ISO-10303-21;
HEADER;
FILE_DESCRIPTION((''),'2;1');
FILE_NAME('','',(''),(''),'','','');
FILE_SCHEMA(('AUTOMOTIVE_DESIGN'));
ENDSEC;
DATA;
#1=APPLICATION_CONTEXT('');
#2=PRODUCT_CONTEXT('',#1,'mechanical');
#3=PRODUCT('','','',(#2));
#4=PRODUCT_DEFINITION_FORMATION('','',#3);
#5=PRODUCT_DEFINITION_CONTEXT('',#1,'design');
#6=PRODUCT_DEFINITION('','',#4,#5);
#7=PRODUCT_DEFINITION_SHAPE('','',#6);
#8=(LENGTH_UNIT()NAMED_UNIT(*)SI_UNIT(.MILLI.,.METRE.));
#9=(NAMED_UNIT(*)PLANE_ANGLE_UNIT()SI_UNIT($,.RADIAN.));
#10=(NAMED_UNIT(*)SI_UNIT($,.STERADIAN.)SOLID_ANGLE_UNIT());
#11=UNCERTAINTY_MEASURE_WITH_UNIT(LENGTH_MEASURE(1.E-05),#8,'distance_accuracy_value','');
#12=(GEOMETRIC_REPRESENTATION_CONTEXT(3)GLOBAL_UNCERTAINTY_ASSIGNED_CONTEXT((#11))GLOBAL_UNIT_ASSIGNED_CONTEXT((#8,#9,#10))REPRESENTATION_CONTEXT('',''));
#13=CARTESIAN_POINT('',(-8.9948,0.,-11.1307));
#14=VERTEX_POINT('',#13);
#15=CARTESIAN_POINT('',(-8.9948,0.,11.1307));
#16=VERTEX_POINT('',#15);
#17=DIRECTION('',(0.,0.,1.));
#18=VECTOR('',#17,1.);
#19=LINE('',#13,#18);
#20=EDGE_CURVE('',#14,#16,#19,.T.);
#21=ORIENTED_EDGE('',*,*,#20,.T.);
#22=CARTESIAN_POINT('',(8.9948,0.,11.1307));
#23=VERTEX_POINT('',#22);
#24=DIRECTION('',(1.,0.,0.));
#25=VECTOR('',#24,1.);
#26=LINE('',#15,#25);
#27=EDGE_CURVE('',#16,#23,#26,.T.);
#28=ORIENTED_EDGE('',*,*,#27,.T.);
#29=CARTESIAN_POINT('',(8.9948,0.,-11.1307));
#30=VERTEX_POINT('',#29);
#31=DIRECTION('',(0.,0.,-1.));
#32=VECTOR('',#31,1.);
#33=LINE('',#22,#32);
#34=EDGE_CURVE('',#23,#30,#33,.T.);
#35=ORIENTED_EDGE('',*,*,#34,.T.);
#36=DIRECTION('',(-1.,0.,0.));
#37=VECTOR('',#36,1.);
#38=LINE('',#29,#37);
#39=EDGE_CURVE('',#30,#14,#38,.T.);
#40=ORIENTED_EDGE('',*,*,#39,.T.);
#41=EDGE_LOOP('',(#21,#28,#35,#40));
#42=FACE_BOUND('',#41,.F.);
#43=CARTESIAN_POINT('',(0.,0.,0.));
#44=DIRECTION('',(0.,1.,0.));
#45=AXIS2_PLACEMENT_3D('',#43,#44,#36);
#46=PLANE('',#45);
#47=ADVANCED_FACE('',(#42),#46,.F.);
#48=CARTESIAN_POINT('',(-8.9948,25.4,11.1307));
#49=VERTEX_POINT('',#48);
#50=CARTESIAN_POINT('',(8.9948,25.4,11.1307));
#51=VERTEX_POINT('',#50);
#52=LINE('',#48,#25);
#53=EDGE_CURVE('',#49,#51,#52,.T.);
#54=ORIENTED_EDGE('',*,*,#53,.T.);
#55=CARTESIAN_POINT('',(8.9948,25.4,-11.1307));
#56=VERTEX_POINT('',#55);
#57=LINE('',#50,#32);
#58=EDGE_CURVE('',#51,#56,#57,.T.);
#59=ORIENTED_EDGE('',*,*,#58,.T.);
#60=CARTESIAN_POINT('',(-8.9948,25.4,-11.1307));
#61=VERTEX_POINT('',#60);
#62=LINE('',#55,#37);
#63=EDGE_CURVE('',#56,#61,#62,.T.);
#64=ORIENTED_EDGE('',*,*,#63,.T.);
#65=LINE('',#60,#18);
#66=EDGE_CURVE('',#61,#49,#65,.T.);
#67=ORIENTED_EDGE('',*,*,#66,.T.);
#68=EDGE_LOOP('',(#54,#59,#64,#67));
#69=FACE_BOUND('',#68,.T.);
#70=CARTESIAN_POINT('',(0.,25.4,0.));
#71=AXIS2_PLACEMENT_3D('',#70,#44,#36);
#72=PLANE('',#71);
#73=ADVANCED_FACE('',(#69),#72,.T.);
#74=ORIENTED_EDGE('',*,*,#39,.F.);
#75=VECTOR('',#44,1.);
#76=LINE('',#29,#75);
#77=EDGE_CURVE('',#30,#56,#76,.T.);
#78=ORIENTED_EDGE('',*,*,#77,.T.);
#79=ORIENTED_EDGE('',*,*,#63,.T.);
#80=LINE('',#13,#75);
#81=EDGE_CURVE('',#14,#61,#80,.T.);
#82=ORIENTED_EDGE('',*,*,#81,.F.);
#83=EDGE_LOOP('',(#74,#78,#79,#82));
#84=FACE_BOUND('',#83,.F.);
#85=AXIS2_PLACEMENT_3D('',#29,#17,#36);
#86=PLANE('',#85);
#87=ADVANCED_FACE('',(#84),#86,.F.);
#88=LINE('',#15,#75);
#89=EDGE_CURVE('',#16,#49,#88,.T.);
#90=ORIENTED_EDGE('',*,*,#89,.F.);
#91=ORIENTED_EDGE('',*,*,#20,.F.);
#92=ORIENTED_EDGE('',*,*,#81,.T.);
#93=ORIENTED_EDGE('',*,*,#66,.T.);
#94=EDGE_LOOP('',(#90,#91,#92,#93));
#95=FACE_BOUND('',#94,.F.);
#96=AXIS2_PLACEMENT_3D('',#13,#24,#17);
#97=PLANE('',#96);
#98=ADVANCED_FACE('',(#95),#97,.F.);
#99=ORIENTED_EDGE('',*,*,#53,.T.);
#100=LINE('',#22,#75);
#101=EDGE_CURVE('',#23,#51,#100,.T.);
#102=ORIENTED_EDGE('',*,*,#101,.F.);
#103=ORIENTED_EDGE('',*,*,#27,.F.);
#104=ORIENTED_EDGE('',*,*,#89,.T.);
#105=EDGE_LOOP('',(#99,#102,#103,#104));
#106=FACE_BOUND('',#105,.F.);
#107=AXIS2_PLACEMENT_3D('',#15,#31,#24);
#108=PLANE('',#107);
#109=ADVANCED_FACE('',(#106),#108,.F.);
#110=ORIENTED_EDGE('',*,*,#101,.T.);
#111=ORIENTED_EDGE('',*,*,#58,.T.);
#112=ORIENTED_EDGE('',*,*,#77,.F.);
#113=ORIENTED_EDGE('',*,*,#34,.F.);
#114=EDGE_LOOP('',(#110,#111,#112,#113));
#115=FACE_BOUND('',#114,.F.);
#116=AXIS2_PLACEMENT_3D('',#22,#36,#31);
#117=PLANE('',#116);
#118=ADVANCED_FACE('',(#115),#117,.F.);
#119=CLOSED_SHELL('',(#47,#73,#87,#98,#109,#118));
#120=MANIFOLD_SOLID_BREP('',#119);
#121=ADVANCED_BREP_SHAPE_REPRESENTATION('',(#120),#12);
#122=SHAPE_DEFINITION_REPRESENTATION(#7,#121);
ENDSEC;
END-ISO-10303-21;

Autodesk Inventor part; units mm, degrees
ref_plane "YZ Plane" through (0, 0, 0) normal (1, 0, 0) x (0, 1, 0)
ref_plane "XZ Plane" through (0, 0, 0) normal (0, 1, 0) x (-1, 0, 0)
ref_plane "XY Plane" through (0, 0, 0) normal (0, 0, 1) x (1, 0, 0)
sketch "Sketch1" plane through (0, 0, 0) normal (0, 1, 0) x (-1, 0, 0)
  line L0 (8.9948, 11.1307) -> (-8.9948, 11.1307)
  line L1 (-8.9948, 11.1307) -> (-8.9948, -11.1307)
  line L2 (-8.9948, -11.1307) -> (8.9948, -11.1307)
  line L3 (8.9948, -11.1307) -> (8.9948, 11.1307)
  line L4 (8.9948, 11.1307) -> (-8.9948, -11.1307) construction
  line L5 (-8.9948, 11.1307) -> (8.9948, -11.1307) construction
  point P0 (0, 0)
extrude "Extrusion1" add sketch "Sketch1" along normal blind 25.4
equation "\"d0\" = height"
equation "\"length\" = 25.4"
equation "\"height\" = 25.4"
equation "\"width\" = 25.4"
